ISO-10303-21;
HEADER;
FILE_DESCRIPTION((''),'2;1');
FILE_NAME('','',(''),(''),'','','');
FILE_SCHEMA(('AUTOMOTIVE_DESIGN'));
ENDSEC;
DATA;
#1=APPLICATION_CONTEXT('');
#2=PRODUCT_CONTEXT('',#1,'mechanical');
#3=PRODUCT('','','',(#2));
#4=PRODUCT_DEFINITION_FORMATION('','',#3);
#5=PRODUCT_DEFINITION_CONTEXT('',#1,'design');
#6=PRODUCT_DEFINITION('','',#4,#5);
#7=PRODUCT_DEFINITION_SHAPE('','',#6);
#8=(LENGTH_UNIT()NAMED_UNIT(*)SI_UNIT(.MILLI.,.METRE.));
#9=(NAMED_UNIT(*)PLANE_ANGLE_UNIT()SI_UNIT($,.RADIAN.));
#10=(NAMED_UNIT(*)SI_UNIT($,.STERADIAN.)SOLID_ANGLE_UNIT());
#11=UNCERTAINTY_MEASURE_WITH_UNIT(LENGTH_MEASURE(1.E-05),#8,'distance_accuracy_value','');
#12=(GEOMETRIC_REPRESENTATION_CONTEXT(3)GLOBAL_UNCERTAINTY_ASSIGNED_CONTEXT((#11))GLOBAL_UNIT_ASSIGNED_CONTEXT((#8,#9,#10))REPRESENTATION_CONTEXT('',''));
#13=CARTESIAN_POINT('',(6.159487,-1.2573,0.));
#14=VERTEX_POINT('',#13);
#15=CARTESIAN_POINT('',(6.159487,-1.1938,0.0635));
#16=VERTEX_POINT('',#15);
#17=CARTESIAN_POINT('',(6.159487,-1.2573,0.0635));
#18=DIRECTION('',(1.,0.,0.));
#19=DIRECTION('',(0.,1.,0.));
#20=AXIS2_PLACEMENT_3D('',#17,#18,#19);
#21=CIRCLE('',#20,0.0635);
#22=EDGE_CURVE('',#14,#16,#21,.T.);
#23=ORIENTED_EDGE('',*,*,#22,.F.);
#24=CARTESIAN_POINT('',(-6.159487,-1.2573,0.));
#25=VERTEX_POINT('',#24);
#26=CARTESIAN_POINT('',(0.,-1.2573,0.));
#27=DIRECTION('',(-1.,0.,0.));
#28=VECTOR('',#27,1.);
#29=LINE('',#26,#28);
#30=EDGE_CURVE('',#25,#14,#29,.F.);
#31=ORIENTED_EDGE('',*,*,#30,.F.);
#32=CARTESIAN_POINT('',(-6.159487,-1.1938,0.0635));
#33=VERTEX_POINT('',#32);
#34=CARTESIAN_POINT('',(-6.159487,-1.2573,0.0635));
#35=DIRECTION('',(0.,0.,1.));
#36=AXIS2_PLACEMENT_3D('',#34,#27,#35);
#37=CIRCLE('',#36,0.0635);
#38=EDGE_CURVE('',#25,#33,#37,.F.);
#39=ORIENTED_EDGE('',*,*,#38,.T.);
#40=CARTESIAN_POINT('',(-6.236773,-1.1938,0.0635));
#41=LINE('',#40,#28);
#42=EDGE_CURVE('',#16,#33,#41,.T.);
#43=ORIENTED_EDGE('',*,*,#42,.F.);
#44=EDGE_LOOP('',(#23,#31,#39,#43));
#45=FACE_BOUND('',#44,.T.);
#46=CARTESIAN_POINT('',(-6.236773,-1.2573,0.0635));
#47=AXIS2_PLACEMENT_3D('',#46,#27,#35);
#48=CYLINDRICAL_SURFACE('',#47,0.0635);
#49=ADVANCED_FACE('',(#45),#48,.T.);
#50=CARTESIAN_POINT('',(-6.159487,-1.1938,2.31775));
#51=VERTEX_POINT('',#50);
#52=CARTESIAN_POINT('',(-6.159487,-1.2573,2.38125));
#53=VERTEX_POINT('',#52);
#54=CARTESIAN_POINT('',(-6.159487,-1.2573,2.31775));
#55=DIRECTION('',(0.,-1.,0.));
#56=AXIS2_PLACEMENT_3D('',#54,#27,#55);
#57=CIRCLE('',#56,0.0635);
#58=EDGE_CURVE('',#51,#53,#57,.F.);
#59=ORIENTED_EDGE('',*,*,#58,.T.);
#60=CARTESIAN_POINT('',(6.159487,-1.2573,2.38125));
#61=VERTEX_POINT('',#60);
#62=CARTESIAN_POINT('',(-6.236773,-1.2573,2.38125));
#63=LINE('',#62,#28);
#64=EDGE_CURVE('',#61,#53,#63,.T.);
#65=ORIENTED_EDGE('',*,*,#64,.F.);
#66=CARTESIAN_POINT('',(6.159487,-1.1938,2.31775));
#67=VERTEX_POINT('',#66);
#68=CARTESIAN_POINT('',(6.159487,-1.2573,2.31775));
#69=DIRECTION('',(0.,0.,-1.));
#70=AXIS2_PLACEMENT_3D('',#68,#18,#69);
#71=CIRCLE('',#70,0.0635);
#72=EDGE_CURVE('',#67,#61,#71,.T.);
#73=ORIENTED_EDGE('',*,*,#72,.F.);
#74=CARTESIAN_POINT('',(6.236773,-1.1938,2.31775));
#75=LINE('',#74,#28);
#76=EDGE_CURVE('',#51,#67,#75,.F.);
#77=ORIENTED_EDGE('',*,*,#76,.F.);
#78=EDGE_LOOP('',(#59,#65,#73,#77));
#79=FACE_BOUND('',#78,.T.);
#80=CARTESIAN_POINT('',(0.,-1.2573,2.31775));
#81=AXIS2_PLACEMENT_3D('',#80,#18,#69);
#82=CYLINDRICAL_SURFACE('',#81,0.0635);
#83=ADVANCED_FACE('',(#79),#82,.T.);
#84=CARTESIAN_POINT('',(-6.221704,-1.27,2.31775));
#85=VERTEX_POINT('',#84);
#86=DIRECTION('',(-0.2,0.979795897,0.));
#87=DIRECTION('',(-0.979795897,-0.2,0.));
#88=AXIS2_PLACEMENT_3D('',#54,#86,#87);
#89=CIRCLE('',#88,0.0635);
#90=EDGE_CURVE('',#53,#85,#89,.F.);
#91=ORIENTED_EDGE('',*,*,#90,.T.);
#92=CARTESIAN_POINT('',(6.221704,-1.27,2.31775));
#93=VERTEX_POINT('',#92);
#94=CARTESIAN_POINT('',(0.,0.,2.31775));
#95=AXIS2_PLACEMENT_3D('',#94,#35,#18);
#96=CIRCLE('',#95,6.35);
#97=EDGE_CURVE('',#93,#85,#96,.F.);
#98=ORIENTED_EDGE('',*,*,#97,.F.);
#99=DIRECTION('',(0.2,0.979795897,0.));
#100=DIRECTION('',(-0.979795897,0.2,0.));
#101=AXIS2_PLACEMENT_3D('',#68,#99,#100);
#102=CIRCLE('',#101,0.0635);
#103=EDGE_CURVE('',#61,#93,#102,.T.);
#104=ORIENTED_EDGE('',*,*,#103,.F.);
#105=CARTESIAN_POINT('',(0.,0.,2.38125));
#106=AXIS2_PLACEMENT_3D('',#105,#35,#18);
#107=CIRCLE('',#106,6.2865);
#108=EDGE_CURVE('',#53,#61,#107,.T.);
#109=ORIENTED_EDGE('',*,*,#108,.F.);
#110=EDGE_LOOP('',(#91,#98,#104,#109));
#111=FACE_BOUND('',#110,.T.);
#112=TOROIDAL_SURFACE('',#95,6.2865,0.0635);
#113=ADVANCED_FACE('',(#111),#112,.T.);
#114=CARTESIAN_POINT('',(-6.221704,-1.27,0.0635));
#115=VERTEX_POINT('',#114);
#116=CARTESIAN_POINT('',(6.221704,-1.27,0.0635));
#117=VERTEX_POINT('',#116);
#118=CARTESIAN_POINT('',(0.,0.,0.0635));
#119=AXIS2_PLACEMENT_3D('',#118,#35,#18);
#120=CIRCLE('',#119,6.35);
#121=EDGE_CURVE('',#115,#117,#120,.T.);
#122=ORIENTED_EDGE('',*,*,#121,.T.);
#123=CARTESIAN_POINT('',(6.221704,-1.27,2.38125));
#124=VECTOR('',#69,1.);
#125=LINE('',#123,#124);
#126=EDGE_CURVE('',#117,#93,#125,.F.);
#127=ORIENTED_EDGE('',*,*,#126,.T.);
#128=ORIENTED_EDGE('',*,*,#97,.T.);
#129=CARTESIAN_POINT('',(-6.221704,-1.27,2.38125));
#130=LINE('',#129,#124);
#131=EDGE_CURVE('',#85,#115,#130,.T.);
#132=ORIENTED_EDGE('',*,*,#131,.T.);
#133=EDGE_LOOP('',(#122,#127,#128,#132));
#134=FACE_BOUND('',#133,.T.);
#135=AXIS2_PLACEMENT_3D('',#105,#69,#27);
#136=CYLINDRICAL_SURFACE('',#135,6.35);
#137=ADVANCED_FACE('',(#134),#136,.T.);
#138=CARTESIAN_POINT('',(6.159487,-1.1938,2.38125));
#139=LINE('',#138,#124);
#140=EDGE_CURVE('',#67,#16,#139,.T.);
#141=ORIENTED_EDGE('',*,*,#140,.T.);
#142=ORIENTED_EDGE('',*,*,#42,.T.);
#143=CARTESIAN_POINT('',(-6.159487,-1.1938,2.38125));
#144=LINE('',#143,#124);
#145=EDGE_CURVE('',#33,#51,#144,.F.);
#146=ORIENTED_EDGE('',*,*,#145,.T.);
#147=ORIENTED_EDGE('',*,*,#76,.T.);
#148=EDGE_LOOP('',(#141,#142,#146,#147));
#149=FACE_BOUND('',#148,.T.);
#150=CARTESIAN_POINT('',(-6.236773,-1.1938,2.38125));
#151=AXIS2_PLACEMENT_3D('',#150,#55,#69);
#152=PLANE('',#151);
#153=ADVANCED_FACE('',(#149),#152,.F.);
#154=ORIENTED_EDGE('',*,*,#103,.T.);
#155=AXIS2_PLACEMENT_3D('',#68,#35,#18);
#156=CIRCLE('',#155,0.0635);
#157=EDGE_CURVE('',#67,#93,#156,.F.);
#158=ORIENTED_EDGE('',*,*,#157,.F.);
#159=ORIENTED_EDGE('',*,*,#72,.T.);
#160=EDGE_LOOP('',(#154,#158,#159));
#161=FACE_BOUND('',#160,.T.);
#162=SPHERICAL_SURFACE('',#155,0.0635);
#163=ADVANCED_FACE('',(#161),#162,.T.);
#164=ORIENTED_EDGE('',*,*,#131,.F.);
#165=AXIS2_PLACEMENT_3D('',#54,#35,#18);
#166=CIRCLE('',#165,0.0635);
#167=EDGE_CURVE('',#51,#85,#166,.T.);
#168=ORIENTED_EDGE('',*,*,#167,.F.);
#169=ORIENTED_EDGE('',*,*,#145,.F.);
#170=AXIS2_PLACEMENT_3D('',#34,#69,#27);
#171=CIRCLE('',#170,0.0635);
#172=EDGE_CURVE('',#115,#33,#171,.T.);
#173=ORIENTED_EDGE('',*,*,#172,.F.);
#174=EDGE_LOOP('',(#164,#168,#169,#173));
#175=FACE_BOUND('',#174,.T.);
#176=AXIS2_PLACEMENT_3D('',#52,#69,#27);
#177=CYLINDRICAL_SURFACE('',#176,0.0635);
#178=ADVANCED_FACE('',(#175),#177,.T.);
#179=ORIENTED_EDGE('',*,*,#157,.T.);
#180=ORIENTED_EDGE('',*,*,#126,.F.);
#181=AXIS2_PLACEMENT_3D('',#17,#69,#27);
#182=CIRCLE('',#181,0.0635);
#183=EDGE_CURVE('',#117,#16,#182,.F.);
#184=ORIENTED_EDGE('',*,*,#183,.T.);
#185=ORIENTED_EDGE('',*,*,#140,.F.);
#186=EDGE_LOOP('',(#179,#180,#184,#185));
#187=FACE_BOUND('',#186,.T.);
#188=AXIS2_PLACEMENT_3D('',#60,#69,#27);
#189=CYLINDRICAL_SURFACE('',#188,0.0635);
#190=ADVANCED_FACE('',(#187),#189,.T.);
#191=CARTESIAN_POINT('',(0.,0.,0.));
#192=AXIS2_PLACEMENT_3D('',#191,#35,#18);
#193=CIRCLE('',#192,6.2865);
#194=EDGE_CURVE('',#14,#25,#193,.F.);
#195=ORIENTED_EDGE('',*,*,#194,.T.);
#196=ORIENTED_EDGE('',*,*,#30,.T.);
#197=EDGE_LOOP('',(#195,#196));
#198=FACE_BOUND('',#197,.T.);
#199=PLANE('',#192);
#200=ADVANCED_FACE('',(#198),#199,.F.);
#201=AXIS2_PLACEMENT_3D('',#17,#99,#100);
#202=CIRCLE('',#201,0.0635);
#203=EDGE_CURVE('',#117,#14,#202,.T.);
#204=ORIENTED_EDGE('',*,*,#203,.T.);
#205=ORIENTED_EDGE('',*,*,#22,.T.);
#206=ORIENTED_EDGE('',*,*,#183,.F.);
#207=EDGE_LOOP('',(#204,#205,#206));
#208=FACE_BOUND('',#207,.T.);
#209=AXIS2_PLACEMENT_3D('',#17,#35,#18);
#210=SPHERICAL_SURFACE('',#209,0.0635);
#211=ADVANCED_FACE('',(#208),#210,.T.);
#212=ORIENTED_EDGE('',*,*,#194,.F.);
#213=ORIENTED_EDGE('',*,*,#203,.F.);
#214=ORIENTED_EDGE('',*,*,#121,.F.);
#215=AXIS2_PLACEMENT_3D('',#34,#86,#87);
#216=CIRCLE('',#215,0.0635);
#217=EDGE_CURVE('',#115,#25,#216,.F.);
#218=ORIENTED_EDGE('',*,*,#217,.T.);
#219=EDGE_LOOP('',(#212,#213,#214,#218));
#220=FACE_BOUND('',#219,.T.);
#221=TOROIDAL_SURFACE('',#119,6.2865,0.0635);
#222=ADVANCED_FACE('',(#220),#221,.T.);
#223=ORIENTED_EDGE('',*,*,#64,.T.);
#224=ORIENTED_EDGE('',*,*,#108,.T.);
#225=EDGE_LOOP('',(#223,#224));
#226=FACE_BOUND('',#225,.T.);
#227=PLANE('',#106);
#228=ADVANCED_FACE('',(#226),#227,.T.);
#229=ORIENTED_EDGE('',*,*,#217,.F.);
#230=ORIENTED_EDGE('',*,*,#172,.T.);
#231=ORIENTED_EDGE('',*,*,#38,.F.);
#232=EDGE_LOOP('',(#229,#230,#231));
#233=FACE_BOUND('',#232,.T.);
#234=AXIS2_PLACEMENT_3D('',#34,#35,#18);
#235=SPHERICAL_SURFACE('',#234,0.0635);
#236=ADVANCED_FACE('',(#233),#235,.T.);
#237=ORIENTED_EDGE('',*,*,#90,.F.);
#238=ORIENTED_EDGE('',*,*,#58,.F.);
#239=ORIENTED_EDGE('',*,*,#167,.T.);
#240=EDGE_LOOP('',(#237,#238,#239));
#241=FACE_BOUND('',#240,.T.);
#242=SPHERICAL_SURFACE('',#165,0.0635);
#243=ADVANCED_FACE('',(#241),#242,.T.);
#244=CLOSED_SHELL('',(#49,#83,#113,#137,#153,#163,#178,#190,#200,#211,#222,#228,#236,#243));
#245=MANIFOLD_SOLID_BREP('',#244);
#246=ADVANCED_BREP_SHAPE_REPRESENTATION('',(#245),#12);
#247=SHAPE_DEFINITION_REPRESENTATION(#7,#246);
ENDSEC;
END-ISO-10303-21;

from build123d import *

# Parameters (mm, degrees)
EXTRUDE1_DEPTH = 2.38125
FILLET3_R      = 0.0635


with BuildPart() as part:
    # Sketch1 → Extrude1 (new body)
    with BuildSketch(Plane.XY):
        with BuildLine():
            Line((-6.236773329, -1.1938), (6.236773329, -1.1938))
            ThreePointArc((6.236773329, -1.1938), (0, -6.35), (-6.236773329, -1.1938))
        make_face()
    extrude(amount=EXTRUDE1_DEPTH)

    # Fillet3
    fillet3_edges = [part.edges().sort_by_distance(p)[0] for p in [
        (0, -1.1938, 0),
        (0, -6.35, 0),
        (0, -6.35, 2.38125),
        (-6.236773329, -1.1938, 1.190625),
        (6.236773329, -1.1938, 1.190625),
        (0, -1.1938, 2.38125),
    ]]
    fillet(fillet3_edges, radius=FILLET3_R)


solid = part.part
